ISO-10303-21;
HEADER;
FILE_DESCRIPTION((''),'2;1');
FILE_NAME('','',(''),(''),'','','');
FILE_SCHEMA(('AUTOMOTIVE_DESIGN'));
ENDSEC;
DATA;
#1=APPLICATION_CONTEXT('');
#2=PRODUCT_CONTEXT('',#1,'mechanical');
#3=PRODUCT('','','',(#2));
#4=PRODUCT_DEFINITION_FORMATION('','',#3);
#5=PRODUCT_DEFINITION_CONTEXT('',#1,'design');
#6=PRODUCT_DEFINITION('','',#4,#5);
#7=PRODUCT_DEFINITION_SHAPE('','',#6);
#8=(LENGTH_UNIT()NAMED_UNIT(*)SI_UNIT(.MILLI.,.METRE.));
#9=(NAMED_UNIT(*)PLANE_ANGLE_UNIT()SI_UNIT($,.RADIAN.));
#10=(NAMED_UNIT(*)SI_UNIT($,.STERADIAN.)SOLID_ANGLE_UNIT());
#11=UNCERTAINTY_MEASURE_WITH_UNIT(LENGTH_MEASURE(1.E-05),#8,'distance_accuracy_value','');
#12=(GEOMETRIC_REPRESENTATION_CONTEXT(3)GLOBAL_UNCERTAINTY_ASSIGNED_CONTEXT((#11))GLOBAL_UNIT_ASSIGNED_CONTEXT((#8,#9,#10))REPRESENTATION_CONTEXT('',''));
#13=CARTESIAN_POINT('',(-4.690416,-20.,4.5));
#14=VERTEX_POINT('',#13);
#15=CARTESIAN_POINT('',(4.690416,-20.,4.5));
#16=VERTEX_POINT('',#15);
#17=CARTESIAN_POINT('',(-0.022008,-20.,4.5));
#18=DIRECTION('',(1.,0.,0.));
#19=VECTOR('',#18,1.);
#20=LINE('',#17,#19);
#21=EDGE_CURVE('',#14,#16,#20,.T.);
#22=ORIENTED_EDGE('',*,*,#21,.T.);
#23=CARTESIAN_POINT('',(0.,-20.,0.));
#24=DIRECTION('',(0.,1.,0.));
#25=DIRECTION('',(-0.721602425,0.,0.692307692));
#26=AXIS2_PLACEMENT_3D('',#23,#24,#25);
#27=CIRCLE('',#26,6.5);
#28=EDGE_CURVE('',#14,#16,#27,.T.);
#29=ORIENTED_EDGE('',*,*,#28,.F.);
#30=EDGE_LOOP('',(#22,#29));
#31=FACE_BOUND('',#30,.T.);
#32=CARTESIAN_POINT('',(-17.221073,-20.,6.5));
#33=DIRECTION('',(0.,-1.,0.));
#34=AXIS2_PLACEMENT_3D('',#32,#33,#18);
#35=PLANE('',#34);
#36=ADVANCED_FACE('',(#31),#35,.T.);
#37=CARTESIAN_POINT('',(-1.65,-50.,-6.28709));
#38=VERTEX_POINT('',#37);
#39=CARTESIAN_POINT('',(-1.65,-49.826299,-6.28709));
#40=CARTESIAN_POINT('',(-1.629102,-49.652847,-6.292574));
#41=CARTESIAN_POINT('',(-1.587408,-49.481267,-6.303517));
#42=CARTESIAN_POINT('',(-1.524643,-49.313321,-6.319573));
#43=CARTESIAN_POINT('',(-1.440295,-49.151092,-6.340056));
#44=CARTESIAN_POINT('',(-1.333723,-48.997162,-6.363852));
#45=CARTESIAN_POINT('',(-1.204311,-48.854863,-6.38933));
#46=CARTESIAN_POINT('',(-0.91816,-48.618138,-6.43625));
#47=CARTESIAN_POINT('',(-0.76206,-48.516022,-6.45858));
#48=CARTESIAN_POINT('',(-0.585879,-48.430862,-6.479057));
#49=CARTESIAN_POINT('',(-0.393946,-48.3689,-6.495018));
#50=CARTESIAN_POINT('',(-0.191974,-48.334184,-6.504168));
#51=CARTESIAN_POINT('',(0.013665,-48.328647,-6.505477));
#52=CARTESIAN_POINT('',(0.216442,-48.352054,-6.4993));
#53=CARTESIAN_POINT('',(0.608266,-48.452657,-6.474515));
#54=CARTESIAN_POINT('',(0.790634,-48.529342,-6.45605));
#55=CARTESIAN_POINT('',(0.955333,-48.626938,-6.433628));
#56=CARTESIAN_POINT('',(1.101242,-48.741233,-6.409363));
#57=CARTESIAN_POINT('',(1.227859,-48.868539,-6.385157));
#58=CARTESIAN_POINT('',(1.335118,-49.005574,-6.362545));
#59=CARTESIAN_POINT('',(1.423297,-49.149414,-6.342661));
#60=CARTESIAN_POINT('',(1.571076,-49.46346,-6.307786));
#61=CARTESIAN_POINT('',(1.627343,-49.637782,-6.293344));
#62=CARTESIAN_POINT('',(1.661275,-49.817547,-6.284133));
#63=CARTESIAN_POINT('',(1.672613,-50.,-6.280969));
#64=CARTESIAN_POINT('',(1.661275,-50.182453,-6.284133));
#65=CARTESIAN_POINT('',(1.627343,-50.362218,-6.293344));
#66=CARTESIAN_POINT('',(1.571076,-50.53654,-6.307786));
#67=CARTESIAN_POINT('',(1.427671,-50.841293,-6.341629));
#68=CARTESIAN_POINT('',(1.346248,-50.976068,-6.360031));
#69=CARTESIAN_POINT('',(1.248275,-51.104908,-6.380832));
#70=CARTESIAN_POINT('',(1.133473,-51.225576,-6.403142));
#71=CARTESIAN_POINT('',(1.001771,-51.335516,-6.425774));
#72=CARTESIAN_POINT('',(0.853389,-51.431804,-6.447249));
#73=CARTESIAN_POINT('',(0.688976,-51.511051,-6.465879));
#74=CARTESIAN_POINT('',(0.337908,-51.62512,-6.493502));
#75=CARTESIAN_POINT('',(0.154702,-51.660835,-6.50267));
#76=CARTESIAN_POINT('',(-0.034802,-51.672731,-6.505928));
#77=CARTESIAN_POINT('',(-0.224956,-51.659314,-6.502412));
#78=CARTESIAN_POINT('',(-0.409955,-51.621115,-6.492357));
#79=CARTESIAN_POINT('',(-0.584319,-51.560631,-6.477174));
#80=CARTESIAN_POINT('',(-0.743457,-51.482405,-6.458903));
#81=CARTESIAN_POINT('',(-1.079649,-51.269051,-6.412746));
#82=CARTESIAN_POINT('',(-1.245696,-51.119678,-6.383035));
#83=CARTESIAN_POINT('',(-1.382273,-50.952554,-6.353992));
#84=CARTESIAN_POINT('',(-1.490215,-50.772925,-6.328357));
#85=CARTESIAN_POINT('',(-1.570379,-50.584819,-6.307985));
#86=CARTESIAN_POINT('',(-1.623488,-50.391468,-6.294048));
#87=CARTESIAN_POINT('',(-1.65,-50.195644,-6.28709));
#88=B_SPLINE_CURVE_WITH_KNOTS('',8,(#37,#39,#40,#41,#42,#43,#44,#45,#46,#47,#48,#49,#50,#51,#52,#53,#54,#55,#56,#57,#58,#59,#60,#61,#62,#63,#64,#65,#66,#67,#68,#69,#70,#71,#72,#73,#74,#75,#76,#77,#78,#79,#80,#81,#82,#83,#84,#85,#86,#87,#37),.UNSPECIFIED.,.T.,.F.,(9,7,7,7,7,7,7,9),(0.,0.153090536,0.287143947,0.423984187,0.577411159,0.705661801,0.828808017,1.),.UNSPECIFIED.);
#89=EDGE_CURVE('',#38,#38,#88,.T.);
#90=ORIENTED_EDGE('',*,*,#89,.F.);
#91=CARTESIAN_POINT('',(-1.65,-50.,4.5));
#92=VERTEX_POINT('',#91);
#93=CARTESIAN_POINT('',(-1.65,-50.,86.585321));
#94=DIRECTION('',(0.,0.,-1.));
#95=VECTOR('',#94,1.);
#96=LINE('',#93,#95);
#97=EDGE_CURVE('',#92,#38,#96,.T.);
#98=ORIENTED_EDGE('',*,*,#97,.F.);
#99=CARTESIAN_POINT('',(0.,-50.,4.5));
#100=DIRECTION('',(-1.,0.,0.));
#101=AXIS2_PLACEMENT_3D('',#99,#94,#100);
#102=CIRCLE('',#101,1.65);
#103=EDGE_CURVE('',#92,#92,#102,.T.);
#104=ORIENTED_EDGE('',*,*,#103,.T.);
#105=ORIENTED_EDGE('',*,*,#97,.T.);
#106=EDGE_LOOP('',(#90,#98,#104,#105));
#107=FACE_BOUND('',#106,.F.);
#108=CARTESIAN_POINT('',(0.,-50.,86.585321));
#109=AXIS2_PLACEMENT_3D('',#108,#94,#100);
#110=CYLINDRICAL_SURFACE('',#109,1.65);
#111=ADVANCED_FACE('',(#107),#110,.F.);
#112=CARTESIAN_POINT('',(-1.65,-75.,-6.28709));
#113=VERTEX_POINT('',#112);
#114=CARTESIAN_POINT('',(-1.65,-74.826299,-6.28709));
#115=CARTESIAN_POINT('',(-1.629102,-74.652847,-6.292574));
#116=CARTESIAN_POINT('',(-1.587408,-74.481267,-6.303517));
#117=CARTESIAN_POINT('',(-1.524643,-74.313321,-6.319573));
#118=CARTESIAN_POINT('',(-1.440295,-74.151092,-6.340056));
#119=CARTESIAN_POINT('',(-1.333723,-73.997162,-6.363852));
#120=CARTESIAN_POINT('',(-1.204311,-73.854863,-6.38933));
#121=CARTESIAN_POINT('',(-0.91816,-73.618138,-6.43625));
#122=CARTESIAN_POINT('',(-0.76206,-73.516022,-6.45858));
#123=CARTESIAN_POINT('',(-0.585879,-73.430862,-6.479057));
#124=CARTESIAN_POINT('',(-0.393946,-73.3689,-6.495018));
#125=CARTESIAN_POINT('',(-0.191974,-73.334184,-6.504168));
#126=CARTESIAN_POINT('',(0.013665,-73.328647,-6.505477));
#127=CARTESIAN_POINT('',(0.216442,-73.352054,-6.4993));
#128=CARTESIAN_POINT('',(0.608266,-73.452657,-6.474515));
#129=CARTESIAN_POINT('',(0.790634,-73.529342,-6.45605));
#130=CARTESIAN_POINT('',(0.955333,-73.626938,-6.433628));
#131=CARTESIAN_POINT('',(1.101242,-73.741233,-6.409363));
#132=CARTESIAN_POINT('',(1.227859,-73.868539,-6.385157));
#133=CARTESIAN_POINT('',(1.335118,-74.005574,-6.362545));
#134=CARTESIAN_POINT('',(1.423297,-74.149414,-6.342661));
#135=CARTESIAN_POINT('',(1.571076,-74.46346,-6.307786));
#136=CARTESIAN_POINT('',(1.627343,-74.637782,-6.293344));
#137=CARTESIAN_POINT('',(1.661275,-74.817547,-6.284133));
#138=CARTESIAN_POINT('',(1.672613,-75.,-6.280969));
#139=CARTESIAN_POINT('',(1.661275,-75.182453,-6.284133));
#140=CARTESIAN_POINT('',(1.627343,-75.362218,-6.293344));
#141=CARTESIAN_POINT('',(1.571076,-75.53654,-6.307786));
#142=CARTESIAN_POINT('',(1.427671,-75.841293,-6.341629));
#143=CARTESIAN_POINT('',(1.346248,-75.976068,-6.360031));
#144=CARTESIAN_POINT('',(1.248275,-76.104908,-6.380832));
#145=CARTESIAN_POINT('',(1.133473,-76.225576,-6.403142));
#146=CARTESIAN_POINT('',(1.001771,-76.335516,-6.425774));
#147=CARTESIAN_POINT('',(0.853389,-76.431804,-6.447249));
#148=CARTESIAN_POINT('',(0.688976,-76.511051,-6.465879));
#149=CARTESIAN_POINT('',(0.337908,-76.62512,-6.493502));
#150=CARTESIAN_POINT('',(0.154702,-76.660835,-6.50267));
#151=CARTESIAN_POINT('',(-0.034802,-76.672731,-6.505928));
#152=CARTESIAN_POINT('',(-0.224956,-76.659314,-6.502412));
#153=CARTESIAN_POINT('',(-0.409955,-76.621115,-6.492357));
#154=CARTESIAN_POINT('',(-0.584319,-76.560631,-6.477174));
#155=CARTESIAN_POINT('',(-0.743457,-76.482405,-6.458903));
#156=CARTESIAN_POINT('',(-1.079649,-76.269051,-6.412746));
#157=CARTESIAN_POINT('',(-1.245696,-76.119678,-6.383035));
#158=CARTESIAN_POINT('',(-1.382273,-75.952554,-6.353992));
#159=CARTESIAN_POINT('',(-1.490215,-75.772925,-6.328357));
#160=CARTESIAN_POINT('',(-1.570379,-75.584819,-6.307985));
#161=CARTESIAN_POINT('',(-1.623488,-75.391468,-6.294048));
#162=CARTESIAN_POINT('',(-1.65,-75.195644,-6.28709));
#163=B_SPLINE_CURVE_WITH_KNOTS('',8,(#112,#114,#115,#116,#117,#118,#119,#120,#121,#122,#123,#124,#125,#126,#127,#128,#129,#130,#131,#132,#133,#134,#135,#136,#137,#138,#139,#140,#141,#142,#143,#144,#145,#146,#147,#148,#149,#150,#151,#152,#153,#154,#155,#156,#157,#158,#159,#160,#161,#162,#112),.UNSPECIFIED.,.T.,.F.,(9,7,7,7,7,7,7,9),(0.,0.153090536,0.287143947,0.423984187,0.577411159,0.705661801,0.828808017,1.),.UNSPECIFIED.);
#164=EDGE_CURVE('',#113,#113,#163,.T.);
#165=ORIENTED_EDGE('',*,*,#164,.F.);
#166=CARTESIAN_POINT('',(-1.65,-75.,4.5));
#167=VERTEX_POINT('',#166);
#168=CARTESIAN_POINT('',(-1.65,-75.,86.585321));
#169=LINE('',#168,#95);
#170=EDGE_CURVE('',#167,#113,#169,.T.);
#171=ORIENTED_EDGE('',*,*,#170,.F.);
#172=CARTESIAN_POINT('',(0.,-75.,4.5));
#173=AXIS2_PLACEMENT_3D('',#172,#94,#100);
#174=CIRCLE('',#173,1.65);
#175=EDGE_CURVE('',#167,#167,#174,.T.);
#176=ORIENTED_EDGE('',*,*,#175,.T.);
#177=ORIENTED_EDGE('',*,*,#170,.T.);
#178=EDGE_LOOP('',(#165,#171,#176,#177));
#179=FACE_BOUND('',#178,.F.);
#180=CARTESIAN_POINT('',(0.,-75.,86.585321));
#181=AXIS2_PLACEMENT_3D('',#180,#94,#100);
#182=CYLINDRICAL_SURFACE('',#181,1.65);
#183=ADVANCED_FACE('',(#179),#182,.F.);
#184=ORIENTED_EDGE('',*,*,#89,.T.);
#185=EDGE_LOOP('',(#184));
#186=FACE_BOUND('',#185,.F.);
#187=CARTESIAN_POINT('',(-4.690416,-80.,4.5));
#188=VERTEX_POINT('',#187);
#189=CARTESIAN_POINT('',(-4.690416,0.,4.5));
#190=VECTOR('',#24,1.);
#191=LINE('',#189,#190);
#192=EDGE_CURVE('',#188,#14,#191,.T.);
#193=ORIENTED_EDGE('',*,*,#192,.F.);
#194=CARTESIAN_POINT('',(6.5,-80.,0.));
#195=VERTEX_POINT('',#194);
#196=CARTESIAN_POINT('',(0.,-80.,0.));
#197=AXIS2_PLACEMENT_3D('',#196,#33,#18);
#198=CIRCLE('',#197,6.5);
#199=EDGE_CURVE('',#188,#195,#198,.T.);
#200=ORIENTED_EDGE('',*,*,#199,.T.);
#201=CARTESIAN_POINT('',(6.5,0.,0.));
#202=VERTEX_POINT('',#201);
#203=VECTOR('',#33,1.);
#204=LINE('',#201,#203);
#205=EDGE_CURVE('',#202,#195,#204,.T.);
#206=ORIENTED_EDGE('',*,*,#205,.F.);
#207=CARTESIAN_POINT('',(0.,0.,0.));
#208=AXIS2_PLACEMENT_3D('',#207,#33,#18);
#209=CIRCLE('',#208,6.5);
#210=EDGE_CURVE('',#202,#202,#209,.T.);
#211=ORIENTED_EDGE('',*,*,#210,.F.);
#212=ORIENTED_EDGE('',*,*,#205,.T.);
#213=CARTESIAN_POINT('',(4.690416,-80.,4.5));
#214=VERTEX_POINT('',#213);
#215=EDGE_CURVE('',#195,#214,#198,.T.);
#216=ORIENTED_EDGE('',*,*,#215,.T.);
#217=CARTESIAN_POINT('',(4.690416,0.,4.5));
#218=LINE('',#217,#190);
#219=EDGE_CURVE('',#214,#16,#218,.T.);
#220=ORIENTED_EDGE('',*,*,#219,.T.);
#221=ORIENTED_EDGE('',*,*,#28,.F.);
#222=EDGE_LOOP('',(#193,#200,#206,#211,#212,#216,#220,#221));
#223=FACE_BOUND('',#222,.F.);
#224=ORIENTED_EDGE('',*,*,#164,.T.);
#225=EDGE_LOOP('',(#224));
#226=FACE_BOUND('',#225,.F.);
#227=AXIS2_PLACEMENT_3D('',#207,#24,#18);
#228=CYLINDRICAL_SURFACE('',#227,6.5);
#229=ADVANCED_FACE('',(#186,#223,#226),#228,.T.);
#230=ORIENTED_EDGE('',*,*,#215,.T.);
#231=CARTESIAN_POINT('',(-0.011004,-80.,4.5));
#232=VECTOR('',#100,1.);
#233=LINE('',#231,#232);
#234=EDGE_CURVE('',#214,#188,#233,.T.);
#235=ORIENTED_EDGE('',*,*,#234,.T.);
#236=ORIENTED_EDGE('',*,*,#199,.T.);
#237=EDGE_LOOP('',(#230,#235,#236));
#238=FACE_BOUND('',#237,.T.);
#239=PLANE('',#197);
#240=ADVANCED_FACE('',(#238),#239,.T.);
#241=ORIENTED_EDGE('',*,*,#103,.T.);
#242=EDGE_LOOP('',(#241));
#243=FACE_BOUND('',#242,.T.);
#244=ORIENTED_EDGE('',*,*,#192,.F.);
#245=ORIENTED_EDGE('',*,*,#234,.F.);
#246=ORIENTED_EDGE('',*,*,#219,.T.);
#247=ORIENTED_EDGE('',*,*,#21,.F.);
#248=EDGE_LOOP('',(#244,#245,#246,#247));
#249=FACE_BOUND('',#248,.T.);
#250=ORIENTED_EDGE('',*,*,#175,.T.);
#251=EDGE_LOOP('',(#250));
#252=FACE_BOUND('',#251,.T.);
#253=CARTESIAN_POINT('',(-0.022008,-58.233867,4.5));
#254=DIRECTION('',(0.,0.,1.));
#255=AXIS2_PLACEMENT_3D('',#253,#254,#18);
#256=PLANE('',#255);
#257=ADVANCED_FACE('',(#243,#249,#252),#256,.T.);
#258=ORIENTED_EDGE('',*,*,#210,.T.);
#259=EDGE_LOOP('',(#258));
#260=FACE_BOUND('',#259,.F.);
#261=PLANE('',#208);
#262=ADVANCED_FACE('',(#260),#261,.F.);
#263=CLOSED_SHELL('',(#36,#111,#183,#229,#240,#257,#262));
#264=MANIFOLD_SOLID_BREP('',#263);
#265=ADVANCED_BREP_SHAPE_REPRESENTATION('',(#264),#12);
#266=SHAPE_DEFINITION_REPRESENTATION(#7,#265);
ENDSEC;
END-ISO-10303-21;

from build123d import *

# Parameters (mm, degrees)
F0_R     = 6.5
F1_DEPTH = 80
F3_W     = 34.3981292099
F3_H     = 76.4677333832
F4_DEPTH = 2
F6_D     = 3.3


with BuildPart() as f1:
    # F0 (on Front) → F1 (new body)
    with BuildSketch(Plane.XZ):
        Circle(F0_R)
    extrude(amount=F1_DEPTH)

    # F3 (on offset) → F4 (cut)
    with BuildSketch(Plane.XY.offset(6.5)):
        with Locations((-0.0220080838, -58.2338666916)):
            Rectangle(F3_W, F3_H)
    extrude(amount=-F4_DEPTH, mode=Mode.SUBTRACT)

    # F6 (through all)
    with Locations(Plane.XY.offset(4.5)):
        with Locations((0, -50), (0, -75)):
            Hole(F6_D / 2)


solid = f1.part
